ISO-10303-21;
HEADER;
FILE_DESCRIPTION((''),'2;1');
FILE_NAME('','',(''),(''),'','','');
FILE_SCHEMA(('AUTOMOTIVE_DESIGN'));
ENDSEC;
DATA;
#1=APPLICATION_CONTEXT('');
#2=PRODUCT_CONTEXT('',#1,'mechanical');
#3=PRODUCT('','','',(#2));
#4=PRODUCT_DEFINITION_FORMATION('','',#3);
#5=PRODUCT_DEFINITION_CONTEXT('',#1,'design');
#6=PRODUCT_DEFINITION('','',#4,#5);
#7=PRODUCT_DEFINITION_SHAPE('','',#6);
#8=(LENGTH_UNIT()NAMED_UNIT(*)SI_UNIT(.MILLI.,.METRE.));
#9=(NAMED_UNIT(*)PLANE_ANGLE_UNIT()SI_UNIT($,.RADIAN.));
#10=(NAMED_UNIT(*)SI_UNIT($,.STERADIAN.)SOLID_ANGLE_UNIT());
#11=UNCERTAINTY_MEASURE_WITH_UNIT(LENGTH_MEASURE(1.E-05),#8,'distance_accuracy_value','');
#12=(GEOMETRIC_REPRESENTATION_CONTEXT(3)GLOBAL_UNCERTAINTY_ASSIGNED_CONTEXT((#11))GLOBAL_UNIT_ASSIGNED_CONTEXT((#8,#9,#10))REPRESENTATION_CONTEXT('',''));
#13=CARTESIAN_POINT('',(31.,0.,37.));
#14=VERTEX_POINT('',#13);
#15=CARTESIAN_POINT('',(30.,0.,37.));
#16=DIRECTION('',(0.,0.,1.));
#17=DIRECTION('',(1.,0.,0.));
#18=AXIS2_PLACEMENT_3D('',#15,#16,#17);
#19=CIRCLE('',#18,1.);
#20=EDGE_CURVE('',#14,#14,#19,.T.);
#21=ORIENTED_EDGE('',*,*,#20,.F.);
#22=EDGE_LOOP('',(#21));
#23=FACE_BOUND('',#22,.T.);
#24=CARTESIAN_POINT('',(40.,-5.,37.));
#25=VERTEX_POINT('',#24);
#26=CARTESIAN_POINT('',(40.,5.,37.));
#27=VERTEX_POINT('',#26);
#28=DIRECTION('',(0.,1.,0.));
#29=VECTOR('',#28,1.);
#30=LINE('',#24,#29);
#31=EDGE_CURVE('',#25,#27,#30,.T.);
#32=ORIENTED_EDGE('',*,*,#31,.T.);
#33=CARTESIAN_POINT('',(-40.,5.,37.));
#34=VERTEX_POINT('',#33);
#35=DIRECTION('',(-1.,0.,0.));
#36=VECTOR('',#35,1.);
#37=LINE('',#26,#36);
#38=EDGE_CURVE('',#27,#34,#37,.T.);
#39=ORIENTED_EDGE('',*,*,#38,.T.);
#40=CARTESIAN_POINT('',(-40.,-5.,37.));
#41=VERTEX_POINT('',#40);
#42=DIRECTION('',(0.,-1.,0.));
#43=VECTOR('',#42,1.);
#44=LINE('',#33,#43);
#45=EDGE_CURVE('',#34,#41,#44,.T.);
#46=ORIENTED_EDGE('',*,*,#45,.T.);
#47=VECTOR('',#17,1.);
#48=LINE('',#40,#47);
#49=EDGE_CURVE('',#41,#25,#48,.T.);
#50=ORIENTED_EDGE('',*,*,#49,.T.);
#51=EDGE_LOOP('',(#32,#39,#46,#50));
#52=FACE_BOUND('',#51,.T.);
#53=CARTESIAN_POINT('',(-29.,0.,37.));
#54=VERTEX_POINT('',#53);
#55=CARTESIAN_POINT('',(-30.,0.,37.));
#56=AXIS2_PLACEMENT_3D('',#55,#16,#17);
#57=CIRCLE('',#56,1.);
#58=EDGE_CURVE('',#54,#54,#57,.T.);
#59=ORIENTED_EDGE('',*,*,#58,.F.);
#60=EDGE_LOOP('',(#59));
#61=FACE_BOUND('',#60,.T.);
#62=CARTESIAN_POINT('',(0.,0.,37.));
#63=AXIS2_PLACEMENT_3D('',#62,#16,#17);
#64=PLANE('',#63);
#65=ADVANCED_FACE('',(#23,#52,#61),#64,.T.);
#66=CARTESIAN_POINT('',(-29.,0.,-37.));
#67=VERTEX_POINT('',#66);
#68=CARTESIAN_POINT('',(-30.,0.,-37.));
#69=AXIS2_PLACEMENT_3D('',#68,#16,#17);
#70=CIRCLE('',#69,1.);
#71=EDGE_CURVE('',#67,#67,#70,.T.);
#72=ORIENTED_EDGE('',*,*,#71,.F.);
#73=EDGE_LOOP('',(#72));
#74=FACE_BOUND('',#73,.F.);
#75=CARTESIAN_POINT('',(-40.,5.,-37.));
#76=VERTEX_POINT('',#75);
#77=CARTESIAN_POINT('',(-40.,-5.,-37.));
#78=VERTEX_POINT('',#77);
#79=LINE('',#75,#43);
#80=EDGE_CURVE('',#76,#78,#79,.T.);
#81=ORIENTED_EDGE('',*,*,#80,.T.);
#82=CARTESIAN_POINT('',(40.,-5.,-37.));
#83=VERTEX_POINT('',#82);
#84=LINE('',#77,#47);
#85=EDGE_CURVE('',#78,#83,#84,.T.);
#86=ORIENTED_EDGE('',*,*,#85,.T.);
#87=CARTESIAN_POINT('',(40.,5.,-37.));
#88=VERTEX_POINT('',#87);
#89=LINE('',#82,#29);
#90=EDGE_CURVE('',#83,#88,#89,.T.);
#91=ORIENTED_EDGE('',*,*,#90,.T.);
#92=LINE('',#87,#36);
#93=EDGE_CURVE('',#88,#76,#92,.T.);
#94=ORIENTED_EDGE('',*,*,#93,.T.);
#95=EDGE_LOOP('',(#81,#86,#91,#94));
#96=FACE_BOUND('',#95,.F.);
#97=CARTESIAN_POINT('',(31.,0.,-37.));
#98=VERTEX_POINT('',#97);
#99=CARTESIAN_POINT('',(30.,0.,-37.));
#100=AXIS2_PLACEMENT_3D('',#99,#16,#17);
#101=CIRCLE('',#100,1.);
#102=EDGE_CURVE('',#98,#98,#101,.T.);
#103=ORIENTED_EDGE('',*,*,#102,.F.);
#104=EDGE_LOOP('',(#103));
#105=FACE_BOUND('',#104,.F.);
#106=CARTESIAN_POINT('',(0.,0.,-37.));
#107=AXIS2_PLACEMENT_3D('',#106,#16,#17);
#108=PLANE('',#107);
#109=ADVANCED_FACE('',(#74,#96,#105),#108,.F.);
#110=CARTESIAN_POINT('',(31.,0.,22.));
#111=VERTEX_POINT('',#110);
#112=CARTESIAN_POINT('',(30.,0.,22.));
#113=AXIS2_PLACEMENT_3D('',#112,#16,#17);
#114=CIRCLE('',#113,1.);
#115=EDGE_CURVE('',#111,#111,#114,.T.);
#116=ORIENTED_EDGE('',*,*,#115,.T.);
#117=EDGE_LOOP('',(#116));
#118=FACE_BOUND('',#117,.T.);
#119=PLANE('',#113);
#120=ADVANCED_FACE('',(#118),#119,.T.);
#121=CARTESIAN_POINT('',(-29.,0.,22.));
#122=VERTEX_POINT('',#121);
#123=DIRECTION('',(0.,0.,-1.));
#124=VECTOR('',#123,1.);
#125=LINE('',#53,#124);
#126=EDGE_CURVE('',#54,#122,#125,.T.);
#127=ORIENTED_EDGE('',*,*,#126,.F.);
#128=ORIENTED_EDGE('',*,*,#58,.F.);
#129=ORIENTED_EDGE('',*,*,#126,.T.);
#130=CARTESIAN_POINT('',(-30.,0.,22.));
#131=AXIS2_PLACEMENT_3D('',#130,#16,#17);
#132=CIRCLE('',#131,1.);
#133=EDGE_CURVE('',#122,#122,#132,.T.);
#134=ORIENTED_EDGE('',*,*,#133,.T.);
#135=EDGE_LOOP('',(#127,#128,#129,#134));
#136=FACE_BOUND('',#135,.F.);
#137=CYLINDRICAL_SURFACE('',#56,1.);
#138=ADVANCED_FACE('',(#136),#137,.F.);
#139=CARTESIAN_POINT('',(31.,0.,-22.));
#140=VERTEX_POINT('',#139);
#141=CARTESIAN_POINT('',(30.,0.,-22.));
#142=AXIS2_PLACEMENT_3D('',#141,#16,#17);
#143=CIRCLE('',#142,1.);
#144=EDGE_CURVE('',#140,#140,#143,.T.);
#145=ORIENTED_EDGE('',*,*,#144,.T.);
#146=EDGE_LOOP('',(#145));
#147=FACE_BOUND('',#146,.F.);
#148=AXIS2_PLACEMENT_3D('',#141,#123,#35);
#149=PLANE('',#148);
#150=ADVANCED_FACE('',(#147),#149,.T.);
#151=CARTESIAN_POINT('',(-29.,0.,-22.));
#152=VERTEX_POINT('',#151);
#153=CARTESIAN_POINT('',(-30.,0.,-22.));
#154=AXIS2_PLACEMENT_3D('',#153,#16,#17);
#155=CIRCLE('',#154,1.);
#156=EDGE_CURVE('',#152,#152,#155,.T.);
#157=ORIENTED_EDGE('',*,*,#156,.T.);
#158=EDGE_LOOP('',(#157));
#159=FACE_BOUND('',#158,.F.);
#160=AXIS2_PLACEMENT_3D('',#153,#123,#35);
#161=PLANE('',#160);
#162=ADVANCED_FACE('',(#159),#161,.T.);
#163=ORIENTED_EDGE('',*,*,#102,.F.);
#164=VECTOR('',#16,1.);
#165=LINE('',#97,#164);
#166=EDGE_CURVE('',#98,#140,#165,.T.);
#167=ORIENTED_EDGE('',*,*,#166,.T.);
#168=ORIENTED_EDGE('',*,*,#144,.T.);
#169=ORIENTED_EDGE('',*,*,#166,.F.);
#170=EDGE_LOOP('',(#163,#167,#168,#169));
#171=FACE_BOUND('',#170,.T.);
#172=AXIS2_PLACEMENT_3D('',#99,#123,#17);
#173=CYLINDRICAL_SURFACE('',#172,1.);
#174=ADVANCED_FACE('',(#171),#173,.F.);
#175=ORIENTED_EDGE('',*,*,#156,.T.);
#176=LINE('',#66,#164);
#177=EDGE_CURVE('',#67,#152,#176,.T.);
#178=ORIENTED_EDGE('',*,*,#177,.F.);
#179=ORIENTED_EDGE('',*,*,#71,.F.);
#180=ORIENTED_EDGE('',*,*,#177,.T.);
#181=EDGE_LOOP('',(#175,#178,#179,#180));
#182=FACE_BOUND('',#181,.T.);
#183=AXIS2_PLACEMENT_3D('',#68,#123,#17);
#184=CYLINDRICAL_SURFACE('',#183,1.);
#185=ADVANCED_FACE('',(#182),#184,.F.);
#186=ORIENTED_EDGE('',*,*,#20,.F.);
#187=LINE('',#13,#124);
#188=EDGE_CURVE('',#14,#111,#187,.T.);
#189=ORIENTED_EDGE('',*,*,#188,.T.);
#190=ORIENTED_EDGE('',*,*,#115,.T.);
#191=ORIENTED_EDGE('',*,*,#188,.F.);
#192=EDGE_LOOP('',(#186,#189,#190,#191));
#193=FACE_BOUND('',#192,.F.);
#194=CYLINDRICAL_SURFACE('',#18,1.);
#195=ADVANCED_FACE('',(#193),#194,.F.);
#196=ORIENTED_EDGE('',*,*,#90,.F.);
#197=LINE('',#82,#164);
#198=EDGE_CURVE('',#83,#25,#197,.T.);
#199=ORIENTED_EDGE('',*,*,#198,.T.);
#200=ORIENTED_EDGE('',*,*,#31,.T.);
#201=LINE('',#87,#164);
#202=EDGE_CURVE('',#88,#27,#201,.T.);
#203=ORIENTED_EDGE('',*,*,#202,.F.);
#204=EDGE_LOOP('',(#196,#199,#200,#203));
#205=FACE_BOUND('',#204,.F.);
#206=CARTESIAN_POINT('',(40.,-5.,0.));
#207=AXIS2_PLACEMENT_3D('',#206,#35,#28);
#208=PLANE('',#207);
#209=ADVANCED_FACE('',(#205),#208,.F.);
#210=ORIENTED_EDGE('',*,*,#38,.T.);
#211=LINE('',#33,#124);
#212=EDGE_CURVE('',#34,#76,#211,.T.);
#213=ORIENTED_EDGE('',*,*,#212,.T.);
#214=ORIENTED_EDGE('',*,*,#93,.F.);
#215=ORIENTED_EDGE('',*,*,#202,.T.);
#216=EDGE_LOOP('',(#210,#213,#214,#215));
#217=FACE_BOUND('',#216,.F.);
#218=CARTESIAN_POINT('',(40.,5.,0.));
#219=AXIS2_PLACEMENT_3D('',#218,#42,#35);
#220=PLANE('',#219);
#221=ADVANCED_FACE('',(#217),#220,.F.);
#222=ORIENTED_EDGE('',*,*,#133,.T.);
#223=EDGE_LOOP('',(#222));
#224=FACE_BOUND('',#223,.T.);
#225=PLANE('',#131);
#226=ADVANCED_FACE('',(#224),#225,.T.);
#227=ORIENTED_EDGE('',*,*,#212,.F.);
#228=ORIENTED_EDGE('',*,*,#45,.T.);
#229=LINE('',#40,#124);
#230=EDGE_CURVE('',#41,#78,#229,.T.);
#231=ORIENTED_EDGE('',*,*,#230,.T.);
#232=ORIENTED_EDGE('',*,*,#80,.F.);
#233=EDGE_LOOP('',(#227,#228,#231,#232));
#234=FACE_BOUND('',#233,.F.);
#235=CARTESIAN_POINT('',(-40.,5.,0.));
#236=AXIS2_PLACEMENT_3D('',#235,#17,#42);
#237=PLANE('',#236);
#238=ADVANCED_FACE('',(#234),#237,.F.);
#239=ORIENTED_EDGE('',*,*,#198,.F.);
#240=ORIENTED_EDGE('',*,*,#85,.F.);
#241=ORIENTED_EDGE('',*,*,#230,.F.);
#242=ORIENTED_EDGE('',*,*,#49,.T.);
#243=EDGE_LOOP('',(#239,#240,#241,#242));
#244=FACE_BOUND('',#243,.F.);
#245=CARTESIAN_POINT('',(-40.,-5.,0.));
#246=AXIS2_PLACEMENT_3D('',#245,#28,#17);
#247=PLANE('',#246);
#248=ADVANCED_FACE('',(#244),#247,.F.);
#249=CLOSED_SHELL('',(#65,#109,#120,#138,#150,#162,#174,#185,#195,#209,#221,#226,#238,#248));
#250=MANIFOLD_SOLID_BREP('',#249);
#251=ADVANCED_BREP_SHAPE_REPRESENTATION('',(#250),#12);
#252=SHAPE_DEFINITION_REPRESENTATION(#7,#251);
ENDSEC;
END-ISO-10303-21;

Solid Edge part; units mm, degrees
sketch "Sketch1" plane through (0, 0, 0) normal (0, 0, 1) x (1, 0, 0)
  line L0 (-40, -5) -> (40, -5)
  line L1 (40, -5) -> (40, 5)
  line L2 (40, 5) -> (-40, 5)
  line L3 (-40, 5) -> (-40, -5)
  dimension "D1" = 80
  dimension "D2" = 10
extrude "Protrusion1" add sketch "Sketch1" along normal mid plane 74
sketch "Sketch2" plane through (0, 0, 37) normal (0, 0, 1) x (1, 0, 0)
  circle A0 centre (-30, 0) radius 1
  circle A1 centre (30, 0) radius 1
  dimension "D1" = 60
  dimension "D2" = 2
extrude "Extrusionsausschnitt_1" cut sketch "Sketch2" against normal blind 15
mirror "Mirror1" about plane through (0, 0, 0) normal (0, 0, 1) of "Extrusionsausschnitt_1"
properties material "Nylon, allgemein"
